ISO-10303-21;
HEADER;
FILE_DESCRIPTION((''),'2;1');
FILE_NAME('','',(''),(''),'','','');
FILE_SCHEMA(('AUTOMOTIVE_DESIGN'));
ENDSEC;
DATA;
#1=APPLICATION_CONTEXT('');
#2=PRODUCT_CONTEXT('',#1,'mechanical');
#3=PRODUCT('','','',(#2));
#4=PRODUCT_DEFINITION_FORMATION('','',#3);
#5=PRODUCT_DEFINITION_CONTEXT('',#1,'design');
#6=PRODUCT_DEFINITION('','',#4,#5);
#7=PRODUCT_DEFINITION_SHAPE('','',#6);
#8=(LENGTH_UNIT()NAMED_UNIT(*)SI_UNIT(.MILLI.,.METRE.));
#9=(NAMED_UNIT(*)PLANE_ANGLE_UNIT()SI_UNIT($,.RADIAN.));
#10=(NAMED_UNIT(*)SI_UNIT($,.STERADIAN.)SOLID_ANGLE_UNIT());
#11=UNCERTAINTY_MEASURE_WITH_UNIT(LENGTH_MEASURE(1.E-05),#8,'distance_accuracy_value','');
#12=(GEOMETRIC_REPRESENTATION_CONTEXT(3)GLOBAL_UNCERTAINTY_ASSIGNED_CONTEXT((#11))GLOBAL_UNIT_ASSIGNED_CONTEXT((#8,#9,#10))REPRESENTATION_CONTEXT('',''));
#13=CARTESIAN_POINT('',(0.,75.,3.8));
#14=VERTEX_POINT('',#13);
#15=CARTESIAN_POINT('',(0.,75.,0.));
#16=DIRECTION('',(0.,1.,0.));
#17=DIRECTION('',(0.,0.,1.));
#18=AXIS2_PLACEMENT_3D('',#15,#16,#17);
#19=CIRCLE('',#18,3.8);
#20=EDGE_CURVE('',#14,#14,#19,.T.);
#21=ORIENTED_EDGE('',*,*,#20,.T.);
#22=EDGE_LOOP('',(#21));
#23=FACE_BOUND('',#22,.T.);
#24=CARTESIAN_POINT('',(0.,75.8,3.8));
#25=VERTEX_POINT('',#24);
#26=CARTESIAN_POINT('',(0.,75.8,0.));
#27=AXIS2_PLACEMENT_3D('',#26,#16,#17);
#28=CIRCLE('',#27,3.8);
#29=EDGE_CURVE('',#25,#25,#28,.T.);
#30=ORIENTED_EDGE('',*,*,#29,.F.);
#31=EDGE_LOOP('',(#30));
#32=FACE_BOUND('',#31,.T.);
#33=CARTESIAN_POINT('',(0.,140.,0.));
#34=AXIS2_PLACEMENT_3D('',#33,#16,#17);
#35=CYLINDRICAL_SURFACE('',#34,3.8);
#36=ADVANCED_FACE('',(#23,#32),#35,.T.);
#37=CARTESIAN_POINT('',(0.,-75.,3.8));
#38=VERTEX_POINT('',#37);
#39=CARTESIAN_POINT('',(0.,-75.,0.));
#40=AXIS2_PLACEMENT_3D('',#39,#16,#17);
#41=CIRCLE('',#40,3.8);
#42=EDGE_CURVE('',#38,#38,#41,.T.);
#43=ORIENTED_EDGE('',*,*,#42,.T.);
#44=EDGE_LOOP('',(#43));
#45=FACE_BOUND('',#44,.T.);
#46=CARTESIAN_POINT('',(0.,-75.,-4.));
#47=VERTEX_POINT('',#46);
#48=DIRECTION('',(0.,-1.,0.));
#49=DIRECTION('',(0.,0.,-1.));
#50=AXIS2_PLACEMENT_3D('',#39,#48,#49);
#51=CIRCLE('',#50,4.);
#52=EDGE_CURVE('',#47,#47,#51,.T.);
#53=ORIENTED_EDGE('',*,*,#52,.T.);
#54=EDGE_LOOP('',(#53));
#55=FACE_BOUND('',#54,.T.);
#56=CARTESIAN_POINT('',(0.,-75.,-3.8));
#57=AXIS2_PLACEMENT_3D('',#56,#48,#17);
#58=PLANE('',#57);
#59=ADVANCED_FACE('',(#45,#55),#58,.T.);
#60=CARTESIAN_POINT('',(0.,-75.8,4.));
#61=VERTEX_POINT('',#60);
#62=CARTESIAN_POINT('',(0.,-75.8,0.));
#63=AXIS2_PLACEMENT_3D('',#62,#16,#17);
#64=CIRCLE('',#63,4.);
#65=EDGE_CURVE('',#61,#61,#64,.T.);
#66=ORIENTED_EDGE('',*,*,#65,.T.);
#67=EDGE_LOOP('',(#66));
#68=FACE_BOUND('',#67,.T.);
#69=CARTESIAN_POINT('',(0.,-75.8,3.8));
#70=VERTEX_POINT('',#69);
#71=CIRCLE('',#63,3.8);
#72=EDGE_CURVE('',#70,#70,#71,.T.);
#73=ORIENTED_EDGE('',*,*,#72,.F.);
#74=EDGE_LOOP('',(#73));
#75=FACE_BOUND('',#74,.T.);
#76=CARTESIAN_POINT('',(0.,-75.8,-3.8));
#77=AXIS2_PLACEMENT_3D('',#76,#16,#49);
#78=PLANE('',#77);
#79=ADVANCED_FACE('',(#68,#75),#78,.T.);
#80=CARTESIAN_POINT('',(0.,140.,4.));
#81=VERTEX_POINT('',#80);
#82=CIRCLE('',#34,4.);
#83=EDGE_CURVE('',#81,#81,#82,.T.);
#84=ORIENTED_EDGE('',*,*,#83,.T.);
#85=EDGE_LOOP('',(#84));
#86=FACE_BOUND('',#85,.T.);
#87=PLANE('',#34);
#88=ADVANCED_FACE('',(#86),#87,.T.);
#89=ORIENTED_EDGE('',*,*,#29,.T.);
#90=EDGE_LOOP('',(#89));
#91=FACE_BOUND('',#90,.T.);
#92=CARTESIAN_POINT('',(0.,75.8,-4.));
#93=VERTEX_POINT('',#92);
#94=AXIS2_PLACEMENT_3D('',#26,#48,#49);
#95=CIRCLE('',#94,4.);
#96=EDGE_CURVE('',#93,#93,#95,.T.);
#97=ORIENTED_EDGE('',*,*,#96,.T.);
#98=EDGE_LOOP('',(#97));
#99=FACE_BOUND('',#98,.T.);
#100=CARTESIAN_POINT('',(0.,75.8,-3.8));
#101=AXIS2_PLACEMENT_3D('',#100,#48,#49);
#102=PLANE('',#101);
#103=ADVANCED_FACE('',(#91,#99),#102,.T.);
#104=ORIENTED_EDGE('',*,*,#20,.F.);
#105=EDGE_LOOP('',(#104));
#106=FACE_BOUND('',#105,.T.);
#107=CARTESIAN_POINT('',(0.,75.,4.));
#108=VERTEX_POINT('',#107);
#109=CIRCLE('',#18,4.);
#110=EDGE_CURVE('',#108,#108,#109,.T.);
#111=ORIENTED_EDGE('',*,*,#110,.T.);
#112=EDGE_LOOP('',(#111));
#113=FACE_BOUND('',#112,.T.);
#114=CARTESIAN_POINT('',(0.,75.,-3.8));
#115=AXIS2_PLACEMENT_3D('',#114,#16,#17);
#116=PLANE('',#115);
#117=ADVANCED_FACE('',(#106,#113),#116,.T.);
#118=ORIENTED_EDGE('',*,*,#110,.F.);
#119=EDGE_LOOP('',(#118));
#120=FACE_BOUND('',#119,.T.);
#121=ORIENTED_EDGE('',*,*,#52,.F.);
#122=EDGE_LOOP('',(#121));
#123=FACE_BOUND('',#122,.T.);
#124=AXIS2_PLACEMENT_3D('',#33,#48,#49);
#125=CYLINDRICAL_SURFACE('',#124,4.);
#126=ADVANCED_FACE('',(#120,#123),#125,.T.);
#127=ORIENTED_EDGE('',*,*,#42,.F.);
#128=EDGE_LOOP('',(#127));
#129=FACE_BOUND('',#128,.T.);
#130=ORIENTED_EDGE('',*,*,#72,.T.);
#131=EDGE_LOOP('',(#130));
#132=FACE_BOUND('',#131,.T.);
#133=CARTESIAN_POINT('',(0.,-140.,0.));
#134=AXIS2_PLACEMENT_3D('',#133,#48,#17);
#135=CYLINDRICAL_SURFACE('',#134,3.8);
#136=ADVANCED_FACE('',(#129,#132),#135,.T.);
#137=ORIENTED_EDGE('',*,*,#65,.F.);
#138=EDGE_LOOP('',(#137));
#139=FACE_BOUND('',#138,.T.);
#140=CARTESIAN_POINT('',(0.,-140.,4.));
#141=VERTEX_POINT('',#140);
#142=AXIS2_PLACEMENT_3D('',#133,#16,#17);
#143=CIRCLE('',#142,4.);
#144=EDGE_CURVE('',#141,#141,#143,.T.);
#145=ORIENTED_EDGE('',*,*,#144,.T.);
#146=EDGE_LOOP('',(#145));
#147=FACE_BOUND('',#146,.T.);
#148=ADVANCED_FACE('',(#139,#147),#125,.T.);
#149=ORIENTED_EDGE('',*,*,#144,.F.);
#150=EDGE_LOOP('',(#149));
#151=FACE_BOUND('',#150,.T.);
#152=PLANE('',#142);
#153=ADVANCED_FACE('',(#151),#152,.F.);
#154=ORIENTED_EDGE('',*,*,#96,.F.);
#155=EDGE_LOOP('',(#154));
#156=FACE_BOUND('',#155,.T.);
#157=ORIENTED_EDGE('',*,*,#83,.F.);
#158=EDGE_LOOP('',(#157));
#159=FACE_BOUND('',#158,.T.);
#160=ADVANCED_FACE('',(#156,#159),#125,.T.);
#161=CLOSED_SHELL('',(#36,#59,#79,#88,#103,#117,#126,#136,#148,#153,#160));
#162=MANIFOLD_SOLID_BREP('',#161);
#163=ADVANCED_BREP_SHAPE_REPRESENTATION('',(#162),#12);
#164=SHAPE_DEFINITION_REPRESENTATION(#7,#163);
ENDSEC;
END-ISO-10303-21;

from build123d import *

# Parameters (mm, degrees)
SKETCH_1_R      = 4
EXTRUDE_1_DEPTH = 140
SKETCH_3_W      = 5
SKETCH_3_H      = 0.8


with BuildPart() as part:
    # 草图1 → 凸台-拉伸1 (new, symmetric)
    with BuildSketch(Plane(origin=(0, 0, 0), x_dir=(1, 0, 0), z_dir=(0, 1, 0))):
        with Locations(Location((0, 0, 0), (0, 0, 270))):
            Circle(SKETCH_1_R)
    extrude(amount=EXTRUDE_1_DEPTH, both=True)

    # 草图3 → 切除-旋转1 (revolve, cut)
    with BuildSketch(Plane(origin=(0, 0, 0), x_dir=(0, 0, -1), z_dir=(1, 0, 0)), mode=Mode.PRIVATE) as cut_revolve_1_sk:
        with Locations((6.3, 75.4)):
            Rectangle(SKETCH_3_W, SKETCH_3_H)
    cut_revolve_1 = revolve(cut_revolve_1_sk.sketch.rotate(Axis((0, 140, 0), (0, -1, 0)), 180), axis=Axis((0, 140, 0), (0, -1, 0)), mode=Mode.SUBTRACT)

    # 镜向1: 切除-旋转1 across plane
    add(cut_revolve_1.mirror(Plane.ZX), mode=Mode.SUBTRACT)


solid = part.part
